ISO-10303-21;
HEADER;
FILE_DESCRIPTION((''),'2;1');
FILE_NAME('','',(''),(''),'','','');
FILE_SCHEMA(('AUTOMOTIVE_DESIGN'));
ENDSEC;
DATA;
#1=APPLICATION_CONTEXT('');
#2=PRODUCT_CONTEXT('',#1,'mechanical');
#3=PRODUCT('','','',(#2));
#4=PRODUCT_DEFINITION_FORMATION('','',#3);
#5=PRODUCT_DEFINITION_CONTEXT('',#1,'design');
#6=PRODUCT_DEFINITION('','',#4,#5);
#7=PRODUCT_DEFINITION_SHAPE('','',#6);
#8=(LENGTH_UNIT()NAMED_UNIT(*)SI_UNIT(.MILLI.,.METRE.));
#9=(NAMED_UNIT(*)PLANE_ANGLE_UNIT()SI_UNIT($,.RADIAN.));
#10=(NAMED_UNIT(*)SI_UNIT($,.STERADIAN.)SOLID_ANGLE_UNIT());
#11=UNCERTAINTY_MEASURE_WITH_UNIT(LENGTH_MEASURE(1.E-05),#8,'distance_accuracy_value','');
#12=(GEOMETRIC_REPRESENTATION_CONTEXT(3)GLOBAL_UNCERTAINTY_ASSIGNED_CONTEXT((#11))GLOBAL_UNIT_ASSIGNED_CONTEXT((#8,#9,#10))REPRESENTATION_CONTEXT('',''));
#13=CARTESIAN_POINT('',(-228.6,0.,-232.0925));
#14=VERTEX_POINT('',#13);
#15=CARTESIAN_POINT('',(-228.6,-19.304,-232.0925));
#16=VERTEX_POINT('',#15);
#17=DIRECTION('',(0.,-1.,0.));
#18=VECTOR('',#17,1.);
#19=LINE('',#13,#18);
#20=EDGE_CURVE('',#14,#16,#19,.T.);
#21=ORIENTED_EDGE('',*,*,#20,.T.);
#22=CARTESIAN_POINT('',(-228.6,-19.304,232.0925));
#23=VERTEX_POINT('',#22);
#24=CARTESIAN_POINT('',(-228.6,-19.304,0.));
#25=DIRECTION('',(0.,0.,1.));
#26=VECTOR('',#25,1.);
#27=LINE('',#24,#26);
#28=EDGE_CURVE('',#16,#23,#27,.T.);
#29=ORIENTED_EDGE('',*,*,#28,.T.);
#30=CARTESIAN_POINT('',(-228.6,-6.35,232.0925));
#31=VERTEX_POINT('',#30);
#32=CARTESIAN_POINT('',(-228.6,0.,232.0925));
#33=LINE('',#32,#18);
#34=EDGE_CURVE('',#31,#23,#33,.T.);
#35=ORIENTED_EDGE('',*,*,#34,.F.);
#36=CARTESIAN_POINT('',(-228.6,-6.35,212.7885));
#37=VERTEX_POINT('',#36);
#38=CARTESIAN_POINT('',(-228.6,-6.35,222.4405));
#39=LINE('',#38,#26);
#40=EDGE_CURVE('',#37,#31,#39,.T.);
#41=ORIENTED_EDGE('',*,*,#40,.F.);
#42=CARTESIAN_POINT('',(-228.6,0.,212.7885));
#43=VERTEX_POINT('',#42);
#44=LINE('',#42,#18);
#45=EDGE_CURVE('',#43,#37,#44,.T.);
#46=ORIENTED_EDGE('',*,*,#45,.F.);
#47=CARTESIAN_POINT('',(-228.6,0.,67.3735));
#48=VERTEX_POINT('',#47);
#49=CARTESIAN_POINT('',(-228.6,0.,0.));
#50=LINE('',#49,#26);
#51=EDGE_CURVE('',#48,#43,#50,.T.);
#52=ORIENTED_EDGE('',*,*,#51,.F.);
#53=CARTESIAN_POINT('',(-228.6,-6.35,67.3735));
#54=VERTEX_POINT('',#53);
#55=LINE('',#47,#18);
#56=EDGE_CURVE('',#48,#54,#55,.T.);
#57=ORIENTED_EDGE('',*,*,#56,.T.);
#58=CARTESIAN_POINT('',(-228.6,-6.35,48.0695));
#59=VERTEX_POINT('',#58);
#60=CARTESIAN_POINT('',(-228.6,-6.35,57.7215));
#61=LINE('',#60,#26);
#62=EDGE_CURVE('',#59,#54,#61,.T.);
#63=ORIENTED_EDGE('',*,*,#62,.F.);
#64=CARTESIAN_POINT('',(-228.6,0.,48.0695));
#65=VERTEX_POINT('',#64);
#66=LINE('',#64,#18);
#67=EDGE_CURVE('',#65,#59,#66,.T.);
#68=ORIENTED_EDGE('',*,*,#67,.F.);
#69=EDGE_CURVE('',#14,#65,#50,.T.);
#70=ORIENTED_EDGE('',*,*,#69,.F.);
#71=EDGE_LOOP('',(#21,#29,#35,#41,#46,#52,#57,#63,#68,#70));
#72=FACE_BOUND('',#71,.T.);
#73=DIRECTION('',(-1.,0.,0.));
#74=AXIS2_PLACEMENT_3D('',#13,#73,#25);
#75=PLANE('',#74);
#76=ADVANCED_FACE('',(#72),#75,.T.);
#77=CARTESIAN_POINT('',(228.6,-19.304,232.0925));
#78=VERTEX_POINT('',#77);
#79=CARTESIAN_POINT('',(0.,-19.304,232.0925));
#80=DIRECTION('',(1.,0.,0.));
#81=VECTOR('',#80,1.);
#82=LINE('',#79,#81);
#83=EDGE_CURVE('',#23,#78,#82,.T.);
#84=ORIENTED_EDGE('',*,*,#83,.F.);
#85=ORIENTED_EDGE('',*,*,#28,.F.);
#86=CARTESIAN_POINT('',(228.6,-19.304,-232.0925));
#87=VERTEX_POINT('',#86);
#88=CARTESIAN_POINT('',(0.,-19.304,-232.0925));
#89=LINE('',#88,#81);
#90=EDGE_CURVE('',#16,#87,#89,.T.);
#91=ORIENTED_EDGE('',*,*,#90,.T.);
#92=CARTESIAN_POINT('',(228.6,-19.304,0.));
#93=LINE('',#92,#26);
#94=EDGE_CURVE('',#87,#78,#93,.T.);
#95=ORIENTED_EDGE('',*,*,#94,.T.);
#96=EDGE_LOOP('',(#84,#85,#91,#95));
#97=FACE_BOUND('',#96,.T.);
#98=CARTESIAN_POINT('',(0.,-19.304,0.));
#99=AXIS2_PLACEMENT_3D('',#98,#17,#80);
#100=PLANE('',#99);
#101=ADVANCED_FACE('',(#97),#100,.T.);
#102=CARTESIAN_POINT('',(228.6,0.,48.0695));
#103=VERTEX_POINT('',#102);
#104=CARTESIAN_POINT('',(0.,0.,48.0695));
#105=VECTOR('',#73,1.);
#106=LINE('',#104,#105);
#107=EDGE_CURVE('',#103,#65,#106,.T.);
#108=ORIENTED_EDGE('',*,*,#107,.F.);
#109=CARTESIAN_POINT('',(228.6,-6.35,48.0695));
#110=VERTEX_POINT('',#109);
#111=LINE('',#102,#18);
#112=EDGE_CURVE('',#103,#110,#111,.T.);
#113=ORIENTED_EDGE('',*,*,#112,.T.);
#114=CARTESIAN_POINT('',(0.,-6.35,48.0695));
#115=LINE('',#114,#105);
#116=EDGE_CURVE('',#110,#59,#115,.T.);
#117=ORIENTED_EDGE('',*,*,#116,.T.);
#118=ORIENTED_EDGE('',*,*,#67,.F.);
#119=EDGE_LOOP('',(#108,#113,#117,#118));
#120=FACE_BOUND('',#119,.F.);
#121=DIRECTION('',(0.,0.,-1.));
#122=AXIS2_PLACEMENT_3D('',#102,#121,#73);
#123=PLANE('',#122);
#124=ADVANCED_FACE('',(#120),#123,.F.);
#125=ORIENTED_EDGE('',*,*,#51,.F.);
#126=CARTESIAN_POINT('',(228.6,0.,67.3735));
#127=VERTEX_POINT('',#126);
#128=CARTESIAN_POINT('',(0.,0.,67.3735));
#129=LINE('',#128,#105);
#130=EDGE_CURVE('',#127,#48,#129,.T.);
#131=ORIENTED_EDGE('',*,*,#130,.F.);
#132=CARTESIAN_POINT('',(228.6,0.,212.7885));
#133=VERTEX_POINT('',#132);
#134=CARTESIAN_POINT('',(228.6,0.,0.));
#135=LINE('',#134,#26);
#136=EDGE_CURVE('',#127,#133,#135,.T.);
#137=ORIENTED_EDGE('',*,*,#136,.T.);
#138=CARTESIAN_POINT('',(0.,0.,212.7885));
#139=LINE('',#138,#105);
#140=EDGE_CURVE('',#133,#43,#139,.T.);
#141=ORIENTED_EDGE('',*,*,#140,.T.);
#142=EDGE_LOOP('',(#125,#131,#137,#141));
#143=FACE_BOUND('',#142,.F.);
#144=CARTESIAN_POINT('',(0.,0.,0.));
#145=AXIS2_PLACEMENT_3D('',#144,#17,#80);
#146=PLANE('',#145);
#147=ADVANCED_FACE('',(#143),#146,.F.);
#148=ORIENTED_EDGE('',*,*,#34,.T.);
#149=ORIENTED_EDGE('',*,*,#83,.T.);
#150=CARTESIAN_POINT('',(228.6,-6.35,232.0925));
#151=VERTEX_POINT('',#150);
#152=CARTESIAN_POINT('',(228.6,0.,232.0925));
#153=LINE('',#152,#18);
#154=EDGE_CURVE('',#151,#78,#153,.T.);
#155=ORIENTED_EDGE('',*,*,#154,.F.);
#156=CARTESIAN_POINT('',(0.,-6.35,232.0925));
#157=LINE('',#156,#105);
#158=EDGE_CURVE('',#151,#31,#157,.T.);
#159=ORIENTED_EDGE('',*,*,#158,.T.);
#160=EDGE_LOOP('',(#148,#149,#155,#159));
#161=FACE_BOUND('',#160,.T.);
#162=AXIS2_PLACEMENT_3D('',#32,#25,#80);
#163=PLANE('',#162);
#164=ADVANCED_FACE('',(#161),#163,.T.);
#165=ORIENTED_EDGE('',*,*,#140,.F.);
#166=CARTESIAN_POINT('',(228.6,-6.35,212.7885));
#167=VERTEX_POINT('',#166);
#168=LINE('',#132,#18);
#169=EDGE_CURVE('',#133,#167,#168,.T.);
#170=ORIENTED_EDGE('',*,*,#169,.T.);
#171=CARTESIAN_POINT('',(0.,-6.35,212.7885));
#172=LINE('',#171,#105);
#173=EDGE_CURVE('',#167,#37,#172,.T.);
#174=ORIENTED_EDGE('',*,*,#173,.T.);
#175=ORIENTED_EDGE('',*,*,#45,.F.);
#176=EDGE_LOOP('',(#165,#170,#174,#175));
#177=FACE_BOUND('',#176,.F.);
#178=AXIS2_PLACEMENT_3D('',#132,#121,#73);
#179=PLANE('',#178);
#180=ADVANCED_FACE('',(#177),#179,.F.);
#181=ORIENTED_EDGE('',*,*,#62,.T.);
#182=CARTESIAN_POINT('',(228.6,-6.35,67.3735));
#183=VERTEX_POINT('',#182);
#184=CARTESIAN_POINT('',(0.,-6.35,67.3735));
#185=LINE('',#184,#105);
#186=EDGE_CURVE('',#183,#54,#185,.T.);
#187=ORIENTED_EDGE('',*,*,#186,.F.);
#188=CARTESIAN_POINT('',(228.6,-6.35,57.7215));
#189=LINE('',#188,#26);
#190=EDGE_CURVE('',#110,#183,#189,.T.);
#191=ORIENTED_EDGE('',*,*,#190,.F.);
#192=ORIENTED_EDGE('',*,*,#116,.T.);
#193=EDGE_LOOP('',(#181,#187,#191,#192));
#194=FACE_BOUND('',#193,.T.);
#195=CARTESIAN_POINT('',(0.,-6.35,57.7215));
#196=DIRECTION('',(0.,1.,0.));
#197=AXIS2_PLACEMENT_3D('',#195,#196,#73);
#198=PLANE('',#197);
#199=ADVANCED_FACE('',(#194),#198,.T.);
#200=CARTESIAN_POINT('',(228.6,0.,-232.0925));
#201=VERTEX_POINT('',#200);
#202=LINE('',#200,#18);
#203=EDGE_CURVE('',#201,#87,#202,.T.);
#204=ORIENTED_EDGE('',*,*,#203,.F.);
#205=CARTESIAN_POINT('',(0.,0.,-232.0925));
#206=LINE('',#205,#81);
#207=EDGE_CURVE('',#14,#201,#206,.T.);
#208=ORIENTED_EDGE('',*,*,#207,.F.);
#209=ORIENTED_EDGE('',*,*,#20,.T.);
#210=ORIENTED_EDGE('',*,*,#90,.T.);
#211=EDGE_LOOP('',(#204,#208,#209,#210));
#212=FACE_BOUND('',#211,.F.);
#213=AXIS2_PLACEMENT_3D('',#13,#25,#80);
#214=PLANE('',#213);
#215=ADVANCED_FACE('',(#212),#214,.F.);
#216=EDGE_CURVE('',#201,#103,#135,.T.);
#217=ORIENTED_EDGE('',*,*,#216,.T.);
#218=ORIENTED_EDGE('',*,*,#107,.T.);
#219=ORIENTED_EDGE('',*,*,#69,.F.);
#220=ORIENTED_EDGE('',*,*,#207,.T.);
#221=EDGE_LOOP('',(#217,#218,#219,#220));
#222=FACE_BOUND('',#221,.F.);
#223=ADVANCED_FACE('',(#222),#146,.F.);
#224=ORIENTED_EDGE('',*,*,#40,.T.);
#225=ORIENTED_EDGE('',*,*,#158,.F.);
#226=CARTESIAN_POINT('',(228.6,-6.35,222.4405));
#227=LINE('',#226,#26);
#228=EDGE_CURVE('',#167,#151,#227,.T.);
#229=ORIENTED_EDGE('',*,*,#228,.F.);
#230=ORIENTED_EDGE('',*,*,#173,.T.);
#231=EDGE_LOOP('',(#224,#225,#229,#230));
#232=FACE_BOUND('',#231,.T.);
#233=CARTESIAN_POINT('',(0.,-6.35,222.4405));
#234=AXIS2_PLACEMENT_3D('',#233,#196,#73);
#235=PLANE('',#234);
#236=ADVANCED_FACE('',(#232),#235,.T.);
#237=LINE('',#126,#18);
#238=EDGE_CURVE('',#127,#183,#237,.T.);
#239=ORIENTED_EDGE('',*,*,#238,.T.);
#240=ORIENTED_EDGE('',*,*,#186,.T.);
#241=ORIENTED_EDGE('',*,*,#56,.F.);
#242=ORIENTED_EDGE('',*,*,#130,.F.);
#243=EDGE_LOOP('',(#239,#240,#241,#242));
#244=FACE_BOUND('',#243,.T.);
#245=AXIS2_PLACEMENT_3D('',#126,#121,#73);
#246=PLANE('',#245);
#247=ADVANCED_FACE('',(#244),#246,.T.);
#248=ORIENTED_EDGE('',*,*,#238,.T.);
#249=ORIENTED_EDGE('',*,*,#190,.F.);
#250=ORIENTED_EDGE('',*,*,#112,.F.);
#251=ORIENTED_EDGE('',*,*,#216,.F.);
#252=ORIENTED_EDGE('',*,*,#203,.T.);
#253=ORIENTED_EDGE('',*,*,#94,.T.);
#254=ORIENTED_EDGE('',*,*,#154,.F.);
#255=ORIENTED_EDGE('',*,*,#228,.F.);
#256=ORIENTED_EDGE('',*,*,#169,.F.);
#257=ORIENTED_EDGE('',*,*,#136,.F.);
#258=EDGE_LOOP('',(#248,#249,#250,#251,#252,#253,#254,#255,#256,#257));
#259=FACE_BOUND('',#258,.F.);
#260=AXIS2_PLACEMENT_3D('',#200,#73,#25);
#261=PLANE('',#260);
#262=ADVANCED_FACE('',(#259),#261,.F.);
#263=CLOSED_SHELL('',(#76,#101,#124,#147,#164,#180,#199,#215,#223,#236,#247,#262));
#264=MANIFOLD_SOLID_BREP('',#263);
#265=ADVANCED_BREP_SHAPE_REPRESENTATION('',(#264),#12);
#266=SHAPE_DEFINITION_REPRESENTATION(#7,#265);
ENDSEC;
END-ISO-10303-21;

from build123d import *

# Parameters (mm, degrees)
F0_W     = 457.2
F0_H     = 464.185
F1_DEPTH = 19.304
F2_W     = 457.2
F2_H     = 19.304
F3_DEPTH = 6.35


with BuildPart() as f1:
    # F0 (on Front) → F1 (new body)
    with BuildSketch(Plane.XZ):
        Rectangle(F0_W, F0_H)
    extrude(amount=F1_DEPTH)

    # F2 (on face) → F3 (cut)
    with BuildSketch(Plane(origin=(0, 0, 0), x_dir=(-1, 0, 0), z_dir=(0, 1, 0))):
        with Locations((0, 222.4405)):
            Rectangle(F2_W, F2_H)
        with Locations((0, 57.7215)):
            Rectangle(F2_W, F2_H)
    extrude(amount=-F3_DEPTH, mode=Mode.SUBTRACT)


solid = f1.part
